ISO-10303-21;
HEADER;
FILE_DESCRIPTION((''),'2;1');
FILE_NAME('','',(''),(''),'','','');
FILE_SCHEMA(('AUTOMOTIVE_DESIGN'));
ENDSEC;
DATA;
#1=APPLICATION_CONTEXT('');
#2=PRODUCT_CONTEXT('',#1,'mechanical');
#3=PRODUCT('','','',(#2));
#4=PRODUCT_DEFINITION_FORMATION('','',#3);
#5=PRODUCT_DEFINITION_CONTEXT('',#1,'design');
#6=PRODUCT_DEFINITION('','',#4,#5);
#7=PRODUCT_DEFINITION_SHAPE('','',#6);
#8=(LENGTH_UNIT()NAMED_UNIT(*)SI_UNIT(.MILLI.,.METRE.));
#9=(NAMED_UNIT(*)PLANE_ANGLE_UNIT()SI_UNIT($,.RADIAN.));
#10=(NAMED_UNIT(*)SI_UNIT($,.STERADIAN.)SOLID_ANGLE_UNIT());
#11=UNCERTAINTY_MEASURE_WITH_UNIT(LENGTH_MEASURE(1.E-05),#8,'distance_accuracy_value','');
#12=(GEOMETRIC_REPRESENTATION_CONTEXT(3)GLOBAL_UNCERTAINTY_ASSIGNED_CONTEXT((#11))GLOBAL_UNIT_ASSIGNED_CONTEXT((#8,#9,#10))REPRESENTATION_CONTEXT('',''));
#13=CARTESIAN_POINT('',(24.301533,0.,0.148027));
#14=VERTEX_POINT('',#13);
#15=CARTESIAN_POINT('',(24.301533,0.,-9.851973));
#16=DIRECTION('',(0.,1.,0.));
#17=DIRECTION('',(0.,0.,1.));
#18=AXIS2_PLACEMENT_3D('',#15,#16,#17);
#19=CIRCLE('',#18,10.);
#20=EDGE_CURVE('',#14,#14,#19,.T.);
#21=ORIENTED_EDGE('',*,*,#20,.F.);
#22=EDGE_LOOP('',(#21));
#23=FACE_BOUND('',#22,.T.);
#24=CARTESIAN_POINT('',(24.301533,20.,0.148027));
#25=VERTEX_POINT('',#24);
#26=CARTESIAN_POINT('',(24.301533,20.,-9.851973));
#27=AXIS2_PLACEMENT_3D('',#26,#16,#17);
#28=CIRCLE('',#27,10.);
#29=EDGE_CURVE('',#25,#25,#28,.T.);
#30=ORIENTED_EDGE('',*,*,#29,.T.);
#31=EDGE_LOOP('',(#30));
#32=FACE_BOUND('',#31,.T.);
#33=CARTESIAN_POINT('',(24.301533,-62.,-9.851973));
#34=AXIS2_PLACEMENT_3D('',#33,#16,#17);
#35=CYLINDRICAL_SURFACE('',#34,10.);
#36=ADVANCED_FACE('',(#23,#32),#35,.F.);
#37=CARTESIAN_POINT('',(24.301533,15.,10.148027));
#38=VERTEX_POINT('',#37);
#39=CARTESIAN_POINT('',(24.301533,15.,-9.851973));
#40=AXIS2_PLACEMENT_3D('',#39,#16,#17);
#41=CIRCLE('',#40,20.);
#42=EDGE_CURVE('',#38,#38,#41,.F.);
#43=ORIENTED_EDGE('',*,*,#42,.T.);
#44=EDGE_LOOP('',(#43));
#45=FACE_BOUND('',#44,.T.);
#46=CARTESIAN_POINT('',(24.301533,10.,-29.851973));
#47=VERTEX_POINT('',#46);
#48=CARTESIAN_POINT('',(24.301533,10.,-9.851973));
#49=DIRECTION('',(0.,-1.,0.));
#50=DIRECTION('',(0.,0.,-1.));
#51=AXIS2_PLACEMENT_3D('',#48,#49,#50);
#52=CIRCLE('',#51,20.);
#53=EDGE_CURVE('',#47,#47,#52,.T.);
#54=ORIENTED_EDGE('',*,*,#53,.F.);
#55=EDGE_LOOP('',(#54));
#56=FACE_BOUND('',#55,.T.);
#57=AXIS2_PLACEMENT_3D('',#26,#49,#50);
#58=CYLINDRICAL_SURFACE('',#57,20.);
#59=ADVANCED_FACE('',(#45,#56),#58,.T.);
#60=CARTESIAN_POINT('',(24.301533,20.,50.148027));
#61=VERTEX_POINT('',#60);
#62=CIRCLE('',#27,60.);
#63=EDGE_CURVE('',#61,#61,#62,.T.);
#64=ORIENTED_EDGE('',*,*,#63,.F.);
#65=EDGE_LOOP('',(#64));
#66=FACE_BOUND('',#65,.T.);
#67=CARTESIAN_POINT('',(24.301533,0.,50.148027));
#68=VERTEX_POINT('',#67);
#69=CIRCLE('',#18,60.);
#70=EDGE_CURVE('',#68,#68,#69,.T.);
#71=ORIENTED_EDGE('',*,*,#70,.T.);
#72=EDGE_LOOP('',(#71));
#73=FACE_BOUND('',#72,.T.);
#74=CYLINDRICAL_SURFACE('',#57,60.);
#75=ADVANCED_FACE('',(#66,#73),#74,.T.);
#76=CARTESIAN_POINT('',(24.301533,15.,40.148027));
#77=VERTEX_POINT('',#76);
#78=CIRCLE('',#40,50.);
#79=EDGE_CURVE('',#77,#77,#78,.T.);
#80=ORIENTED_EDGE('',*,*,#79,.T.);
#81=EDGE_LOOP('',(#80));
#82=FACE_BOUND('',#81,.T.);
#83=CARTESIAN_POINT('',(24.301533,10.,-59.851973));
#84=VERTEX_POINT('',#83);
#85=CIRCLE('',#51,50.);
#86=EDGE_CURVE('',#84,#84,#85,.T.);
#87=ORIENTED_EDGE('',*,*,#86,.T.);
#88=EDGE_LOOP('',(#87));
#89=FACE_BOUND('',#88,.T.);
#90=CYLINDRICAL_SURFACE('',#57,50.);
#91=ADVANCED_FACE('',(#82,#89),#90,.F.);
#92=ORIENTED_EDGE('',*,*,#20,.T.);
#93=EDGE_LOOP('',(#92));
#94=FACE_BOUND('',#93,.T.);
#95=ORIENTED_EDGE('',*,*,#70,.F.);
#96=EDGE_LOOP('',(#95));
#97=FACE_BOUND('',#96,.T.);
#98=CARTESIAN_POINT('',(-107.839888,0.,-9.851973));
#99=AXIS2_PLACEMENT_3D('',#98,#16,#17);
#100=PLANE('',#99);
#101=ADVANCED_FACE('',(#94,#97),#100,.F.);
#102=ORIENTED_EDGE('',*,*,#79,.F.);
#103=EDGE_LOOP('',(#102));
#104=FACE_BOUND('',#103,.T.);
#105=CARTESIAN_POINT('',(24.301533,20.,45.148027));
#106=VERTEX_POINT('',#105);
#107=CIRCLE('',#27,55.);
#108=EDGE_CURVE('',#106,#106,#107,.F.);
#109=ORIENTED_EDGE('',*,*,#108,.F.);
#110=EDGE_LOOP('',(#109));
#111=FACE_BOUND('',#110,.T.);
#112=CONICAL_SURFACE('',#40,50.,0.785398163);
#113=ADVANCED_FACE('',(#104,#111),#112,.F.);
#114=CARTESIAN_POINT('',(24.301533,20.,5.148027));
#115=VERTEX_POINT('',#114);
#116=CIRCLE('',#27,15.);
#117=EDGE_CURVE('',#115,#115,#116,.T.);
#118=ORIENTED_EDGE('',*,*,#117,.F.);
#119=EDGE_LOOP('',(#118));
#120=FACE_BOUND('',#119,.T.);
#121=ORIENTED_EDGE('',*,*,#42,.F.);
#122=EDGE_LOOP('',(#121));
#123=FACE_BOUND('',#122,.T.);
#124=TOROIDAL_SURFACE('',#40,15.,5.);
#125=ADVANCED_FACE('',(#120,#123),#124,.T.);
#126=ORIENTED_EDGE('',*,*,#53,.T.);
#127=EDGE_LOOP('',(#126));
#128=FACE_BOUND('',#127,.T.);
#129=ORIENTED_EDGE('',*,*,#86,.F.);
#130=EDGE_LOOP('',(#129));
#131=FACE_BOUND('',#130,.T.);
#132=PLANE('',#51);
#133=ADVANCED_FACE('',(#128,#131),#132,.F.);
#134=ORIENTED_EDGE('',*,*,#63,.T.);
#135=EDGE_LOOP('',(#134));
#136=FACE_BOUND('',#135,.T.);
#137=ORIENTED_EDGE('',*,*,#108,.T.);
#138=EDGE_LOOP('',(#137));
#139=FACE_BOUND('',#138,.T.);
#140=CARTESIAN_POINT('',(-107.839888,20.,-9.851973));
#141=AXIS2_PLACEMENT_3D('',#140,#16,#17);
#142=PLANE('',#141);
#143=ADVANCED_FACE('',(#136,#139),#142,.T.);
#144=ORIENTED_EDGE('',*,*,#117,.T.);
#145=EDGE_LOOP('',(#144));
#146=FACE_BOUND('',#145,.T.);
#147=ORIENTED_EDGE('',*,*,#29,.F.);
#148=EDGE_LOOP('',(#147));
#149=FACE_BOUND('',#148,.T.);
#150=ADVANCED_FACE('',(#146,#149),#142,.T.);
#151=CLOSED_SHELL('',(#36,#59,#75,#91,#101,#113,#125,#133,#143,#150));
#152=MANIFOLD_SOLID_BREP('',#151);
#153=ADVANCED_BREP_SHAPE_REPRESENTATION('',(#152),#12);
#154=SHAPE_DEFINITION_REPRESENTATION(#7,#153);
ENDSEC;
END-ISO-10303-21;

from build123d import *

# Parameters (mm, degrees)
ESQUISSE1_R             = 20
BOSS_EXTRU_1_DEPTH      = 20
ESQUISSE1_R_2           = 60
ESQUISSE1_R_3           = 50
BOSS_EXTRU_1_2_DEPTH    = 20
ESQUISSE2_R             = 50
ESQUISSE2_R_2           = 20
BOSS_EXTRU_2_DEPTH      = 10
CHANFREIN1_SIZE         = 5
CONG_1_R                = 5
ESQUISSE3_R             = 10
ENL_V_MAT_EXTRU_1_DEPTH = 82


with BuildPart() as part:
    # Esquisse1 → Boss.-Extru.1 (new body)
    with BuildSketch(Plane(origin=(0, 0, 0), x_dir=(1, 0, 0), z_dir=(0, 1, 0))):
        with Locations((24.301532902, 9.851972798)):
            Circle(ESQUISSE1_R)
    extrude(amount=BOSS_EXTRU_1_DEPTH)



with BuildPart() as body_2:
    # Esquisse1 → Boss.-Extru.1 2 (new body)
    with BuildSketch(Plane(origin=(0, 0, 0), x_dir=(1, 0, 0), z_dir=(0, 1, 0))):
        with Locations((24.301532902, 9.851972798)):
            Circle(ESQUISSE1_R_2)
        with Locations((24.301532902, 9.851972798)):
            Circle(ESQUISSE1_R_3, mode=Mode.SUBTRACT)
    extrude(amount=BOSS_EXTRU_1_2_DEPTH)


with BuildPart() as part_1:
    add(part.part)

    add(body_2.part)  # Boss.-Extru.2 merges body 2
    # Esquisse2 → Boss.-Extru.2 (add)
    with BuildSketch(Plane.XZ):
        with Locations((24.301532902, -9.851972798)):
            Circle(ESQUISSE2_R)
        with Locations((24.301532902, -9.851972798)):
            Circle(ESQUISSE2_R_2, mode=Mode.SUBTRACT)
    extrude(amount=-BOSS_EXTRU_2_DEPTH)

    # Chanfrein1
    chanfrein1_edges = [part_1.edges().sort_by_distance(p)[0] for p in [
        (-25.698467098, 20, -9.851972798),
    ]]
    chamfer(chanfrein1_edges, length=CHANFREIN1_SIZE)

    # Congé1
    cong_1_edges = [part_1.edges().sort_by_distance(p)[0] for p in [
        (4.301532902, 20, -9.851972798),
    ]]
    fillet(cong_1_edges, radius=CONG_1_R)

    # Esquisse3 → Enlèv. mat.-Extru.1 (cut)
    with BuildSketch(Plane(origin=(0, 20, 0), x_dir=(1, 0, 0), z_dir=(0, 1, 0))):
        with Locations((24.301532902, 9.851972798)):
            Circle(ESQUISSE3_R)
    extrude(amount=-ENL_V_MAT_EXTRU_1_DEPTH, mode=Mode.SUBTRACT)


solid = part_1.part
